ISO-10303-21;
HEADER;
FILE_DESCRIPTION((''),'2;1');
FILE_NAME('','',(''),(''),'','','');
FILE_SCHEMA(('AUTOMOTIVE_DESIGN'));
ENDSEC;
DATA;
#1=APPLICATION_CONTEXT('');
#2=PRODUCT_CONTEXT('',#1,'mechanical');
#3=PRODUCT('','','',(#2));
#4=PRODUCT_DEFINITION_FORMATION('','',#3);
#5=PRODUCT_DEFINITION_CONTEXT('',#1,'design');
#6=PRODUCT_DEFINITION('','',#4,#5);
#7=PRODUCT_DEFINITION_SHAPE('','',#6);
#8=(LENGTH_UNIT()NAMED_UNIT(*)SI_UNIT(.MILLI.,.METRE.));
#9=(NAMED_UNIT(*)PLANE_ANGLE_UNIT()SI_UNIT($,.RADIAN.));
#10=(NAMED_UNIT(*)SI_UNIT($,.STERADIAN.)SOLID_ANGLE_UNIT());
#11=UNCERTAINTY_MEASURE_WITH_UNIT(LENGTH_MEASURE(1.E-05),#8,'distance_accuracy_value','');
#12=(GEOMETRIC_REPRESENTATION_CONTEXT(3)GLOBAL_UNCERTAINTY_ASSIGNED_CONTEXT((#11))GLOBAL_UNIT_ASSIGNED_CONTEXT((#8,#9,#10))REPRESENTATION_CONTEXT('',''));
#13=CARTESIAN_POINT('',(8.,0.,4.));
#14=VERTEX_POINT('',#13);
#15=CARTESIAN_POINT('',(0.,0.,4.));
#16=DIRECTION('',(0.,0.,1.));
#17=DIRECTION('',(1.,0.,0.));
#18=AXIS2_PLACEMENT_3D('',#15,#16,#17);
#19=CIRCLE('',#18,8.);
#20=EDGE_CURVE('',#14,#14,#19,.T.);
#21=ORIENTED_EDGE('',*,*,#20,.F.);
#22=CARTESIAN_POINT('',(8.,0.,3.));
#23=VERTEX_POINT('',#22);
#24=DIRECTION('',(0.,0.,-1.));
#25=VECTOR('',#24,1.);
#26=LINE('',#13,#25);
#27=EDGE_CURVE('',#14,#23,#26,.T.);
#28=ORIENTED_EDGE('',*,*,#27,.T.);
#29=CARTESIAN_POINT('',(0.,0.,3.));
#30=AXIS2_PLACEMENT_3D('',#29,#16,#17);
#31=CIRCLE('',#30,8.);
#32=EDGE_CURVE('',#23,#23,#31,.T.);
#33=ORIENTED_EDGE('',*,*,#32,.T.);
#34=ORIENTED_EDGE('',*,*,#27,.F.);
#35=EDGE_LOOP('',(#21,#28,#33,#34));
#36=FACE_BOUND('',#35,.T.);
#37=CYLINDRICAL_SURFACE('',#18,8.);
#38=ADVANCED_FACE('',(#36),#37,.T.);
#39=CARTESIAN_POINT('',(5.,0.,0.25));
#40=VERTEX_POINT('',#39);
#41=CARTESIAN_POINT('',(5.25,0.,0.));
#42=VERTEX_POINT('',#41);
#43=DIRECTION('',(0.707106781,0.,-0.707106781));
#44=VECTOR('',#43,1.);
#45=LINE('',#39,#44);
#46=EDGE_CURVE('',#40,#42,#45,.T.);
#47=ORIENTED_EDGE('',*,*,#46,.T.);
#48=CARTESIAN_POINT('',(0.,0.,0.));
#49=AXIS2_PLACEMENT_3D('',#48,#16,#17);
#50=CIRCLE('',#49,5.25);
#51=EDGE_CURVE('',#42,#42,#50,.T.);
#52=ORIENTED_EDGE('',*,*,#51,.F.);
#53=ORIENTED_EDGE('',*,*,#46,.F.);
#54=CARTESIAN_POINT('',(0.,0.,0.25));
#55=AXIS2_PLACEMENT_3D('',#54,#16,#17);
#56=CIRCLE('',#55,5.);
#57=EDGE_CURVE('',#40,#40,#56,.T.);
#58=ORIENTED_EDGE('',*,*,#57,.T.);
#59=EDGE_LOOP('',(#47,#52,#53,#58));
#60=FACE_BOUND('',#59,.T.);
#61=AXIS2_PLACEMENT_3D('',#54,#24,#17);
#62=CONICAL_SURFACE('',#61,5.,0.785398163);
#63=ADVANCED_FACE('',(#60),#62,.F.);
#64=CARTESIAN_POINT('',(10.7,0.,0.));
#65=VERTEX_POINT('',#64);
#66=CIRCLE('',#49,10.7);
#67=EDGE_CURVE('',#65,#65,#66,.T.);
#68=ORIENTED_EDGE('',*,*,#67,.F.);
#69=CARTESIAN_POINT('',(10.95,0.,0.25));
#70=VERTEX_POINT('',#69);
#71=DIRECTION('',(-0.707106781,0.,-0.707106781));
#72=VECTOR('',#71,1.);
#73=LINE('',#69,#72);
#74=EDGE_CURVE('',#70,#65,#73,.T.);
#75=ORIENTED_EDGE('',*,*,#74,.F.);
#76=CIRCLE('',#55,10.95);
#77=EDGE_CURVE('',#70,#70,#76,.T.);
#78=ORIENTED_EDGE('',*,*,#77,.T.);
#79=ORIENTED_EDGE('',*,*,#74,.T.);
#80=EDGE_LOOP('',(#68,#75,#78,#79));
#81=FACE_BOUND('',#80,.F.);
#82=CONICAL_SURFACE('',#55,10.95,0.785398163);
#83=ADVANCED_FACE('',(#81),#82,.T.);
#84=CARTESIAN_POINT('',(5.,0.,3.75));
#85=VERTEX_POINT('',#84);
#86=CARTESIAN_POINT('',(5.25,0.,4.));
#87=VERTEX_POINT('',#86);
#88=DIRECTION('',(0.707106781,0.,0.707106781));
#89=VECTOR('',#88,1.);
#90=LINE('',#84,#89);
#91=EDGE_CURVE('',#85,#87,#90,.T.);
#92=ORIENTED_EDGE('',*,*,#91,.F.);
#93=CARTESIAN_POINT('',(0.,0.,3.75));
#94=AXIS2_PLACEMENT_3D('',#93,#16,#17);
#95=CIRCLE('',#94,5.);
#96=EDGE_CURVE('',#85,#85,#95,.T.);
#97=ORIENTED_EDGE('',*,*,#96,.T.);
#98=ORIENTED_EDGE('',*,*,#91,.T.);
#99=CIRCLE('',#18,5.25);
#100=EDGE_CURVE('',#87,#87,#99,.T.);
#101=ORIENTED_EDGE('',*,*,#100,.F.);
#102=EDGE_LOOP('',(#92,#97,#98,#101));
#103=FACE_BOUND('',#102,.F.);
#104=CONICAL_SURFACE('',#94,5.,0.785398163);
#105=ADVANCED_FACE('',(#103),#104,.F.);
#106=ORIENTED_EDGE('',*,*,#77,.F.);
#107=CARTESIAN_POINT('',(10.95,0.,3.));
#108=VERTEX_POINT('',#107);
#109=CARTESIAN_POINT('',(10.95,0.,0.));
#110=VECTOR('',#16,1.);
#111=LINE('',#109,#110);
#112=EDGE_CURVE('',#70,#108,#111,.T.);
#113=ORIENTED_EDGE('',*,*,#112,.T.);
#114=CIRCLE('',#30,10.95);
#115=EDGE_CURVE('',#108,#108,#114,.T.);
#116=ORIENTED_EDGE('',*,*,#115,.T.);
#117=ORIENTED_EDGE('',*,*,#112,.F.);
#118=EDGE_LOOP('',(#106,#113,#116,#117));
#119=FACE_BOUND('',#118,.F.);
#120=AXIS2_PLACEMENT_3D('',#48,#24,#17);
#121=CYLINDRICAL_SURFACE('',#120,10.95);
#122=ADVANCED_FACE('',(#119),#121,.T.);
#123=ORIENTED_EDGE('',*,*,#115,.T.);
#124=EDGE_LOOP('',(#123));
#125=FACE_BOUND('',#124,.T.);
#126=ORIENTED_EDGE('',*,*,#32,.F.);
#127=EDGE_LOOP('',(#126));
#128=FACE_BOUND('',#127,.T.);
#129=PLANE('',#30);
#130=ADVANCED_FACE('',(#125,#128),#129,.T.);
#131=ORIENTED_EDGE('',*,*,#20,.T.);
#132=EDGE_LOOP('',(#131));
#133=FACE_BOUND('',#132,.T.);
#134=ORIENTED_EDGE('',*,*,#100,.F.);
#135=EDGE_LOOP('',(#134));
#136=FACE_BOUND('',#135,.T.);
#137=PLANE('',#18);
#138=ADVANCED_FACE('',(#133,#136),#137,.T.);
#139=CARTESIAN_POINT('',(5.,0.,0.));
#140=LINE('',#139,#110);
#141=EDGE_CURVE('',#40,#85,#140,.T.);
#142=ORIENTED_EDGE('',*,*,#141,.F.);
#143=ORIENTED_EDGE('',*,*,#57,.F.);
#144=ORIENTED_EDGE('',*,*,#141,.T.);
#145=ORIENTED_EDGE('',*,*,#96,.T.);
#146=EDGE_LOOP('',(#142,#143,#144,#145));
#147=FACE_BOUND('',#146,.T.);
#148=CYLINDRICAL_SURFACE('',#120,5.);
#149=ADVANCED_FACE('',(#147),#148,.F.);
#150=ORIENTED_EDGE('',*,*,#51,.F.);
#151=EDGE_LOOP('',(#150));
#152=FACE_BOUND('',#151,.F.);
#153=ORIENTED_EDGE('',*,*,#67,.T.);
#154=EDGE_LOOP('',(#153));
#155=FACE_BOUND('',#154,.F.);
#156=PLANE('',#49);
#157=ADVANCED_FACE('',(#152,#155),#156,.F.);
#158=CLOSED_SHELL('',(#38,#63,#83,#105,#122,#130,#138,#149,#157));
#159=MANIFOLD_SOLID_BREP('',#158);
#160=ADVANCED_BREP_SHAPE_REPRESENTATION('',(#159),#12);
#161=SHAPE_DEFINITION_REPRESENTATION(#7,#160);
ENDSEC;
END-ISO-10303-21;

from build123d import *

# Parameters (mm, degrees)
SKETCH017_R     = 10.95
SKETCH017_R_2   = 5
PAD007_DEPTH    = 4
CHAMFER_SIZE    = 0.25
SKETCH023_R     = 10.95
SKETCH023_R_2   = 8
POCKET009_DEPTH = 1


with BuildPart() as part:
    # Sketch017 → Pad007 (new body)
    with BuildSketch(Plane.XY):
        Circle(SKETCH017_R)
        Circle(SKETCH017_R_2, mode=Mode.SUBTRACT)
    extrude(amount=PAD007_DEPTH)

    # Chamfer
    chamfer_edges = [part.edges().sort_by_distance(p)[0] for p in [
        (-10.95, 0, 4),
        (-5, 0, 4),
        (-10.95, 0, 0),
        (-5, 0, 0),
    ]]
    chamfer(chamfer_edges, length=CHAMFER_SIZE)

    # Sketch023 (on Face4 of Pad007) → Pocket009 (cut)
    with BuildSketch(Plane.XY.offset(4)):
        Circle(SKETCH023_R)
        Circle(SKETCH023_R_2, mode=Mode.SUBTRACT)
    extrude(amount=-POCKET009_DEPTH, mode=Mode.SUBTRACT)


solid = part.part
